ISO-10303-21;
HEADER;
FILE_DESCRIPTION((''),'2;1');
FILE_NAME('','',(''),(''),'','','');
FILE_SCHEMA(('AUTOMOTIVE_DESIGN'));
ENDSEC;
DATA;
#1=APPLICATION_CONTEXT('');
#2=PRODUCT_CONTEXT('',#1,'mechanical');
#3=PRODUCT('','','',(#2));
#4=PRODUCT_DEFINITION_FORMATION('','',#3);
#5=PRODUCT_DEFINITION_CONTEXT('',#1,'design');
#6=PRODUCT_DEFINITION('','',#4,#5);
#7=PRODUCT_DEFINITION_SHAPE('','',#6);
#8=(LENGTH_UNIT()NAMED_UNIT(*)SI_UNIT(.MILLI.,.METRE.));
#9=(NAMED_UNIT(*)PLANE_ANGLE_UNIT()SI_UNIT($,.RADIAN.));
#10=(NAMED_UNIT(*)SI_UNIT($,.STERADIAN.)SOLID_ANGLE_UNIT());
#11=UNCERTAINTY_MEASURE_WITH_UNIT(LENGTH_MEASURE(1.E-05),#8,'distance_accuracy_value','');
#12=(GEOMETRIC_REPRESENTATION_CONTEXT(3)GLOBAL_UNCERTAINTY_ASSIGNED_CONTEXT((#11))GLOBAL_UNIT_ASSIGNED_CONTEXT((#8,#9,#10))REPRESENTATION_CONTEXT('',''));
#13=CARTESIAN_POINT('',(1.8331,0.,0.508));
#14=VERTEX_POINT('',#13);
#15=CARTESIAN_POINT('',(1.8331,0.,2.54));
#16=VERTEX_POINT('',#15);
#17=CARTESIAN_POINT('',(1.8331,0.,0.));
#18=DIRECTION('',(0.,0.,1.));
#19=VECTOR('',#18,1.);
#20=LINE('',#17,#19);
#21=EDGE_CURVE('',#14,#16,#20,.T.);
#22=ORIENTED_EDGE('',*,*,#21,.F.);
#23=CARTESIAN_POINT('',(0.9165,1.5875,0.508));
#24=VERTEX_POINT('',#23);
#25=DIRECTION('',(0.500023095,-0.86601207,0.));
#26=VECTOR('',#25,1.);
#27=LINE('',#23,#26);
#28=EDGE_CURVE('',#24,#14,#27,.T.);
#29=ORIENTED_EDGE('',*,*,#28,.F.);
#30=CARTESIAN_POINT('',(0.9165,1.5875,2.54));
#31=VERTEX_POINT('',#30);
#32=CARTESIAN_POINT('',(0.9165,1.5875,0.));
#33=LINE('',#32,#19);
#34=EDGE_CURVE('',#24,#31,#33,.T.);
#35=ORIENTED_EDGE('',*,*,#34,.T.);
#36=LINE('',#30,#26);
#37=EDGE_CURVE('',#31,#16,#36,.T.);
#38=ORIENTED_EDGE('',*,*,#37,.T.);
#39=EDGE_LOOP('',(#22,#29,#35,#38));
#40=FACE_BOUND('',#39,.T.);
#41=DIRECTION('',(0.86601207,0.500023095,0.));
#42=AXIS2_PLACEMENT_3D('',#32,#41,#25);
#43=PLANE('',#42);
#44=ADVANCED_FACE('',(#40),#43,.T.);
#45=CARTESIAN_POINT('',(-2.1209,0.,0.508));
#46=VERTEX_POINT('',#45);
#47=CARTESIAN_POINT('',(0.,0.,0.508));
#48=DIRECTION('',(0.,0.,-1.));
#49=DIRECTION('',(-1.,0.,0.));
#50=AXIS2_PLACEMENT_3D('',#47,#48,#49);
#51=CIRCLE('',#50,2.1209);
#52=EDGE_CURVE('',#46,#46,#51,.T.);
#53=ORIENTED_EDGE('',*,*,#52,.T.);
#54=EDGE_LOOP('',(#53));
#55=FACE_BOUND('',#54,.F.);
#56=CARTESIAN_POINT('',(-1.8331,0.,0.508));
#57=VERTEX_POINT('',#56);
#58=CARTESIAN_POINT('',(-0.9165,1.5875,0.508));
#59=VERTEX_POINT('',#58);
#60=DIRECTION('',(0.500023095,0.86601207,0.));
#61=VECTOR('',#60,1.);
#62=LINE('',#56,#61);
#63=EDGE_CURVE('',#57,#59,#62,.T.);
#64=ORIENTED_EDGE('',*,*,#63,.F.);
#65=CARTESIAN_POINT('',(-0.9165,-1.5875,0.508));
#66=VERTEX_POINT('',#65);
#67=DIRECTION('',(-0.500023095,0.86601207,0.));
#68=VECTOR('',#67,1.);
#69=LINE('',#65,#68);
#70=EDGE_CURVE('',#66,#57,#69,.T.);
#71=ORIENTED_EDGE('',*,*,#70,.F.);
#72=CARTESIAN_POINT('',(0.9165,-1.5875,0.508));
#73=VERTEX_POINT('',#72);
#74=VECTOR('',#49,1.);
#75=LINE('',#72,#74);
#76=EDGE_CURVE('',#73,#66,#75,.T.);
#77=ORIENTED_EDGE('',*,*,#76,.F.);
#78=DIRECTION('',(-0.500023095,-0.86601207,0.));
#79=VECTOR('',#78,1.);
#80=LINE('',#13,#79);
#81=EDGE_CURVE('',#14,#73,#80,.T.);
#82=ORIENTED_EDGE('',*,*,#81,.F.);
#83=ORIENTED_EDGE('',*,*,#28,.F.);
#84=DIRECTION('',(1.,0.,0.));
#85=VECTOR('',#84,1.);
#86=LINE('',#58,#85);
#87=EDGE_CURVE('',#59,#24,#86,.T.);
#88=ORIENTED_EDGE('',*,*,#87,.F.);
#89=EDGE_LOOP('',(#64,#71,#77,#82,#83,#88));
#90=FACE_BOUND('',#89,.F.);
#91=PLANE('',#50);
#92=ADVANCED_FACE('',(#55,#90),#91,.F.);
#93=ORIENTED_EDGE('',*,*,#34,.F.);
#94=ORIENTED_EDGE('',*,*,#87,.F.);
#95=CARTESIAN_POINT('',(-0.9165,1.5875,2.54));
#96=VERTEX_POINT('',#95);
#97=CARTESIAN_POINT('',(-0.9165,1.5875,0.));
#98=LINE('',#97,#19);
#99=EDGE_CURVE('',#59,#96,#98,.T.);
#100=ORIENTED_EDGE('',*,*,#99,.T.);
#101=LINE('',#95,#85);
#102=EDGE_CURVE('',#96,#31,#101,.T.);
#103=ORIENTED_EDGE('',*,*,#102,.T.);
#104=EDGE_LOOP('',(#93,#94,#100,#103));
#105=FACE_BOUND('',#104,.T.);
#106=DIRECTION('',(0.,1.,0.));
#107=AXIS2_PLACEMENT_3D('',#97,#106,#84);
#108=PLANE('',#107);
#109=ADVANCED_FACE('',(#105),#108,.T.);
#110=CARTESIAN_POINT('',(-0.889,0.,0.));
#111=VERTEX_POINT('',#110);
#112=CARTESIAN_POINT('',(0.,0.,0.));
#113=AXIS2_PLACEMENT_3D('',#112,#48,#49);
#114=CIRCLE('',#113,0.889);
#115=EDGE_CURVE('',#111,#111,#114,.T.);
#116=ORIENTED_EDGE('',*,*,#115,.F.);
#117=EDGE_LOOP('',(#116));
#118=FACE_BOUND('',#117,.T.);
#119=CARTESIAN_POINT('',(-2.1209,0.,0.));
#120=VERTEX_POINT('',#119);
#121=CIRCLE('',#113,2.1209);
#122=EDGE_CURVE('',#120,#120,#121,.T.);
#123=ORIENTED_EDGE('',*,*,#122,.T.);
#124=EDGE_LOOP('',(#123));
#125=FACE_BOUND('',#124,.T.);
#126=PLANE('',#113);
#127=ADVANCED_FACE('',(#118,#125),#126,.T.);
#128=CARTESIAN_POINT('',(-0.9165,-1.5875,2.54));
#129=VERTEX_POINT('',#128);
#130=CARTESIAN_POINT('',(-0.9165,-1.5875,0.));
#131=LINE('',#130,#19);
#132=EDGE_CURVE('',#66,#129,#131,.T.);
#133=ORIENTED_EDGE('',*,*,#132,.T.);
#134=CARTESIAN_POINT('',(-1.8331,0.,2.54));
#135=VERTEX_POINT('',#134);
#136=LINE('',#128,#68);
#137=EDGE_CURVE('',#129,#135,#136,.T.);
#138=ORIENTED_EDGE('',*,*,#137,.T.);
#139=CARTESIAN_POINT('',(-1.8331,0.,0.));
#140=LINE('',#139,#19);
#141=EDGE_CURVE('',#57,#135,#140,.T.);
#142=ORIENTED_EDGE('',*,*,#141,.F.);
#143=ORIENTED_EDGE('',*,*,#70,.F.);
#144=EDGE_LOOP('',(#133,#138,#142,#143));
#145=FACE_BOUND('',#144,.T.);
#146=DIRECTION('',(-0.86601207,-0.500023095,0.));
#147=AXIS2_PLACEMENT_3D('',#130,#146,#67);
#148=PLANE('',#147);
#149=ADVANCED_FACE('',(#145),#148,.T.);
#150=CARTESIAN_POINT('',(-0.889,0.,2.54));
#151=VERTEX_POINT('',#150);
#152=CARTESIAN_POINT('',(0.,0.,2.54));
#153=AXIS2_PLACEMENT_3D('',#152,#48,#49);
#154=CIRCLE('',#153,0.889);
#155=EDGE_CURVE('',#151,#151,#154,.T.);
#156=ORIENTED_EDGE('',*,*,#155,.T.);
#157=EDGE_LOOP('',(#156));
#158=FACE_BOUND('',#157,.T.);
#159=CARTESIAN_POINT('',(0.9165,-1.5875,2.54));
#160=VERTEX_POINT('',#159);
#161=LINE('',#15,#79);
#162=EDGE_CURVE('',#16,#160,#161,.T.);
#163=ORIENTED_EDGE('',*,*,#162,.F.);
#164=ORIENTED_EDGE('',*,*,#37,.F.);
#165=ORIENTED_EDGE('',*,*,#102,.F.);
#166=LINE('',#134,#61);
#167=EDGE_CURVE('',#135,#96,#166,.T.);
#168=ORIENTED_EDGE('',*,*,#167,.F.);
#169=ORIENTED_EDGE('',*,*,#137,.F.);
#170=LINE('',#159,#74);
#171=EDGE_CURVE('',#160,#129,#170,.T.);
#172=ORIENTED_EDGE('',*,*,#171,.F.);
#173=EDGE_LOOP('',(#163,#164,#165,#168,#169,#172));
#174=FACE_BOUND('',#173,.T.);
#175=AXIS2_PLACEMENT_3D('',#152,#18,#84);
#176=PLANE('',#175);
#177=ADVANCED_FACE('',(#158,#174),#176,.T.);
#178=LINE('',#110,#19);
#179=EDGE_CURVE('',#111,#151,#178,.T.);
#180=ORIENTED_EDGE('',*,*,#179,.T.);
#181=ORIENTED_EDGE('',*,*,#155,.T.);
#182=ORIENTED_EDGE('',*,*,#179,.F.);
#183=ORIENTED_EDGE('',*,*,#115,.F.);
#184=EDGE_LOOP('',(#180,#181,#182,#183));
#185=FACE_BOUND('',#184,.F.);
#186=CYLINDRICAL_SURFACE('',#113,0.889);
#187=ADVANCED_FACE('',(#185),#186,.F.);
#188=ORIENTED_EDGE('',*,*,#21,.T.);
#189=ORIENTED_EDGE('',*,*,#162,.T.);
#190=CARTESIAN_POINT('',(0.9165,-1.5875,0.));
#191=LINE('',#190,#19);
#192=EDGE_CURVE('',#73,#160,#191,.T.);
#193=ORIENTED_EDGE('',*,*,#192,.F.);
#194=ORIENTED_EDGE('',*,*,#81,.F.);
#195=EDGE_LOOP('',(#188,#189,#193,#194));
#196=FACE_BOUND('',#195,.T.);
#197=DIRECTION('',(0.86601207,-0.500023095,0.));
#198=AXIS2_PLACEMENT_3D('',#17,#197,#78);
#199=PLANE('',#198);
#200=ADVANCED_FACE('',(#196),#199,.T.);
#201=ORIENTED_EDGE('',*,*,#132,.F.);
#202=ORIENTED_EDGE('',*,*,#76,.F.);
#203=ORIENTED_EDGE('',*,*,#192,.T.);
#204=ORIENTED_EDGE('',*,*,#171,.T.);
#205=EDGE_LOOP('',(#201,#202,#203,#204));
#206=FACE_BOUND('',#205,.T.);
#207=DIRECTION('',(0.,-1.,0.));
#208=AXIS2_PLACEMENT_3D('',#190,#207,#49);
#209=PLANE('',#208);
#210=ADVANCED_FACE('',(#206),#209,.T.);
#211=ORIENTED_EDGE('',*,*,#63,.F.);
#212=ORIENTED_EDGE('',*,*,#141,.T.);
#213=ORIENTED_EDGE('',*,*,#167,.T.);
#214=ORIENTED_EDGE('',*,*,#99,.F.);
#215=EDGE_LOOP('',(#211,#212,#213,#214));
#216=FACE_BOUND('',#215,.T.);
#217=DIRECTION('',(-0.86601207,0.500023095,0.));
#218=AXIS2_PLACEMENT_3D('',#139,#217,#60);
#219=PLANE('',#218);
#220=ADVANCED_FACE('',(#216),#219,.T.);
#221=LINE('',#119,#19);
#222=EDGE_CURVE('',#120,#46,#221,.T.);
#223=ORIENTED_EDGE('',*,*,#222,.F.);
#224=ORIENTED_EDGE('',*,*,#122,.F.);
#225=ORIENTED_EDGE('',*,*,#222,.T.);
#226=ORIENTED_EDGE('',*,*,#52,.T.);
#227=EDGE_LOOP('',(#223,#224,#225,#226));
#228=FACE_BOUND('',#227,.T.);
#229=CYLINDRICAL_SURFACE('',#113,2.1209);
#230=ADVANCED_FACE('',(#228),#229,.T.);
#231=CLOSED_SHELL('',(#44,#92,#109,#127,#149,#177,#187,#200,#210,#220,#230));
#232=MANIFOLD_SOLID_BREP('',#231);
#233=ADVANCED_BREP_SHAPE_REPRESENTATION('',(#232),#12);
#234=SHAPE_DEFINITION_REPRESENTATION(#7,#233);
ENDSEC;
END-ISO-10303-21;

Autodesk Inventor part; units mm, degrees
ref_plane "YZ Plane" through (0, 0, 0) normal (1, 0, 0) x (0, 1, 0)
ref_plane "XZ Plane" through (0, 0, 0) normal (0, 1, 0) x (-1, 0, 0)
ref_plane "XY Plane" through (0, 0, 0) normal (0, 0, 1) x (1, 0, 0)
sketch "Sketch1" plane through (0, 0, 0) normal (0, 0, 1) x (1, 0, 0)
  line L0 (0.9165, 1.5875) -> (1.8331, 0)
  line L1 (1.8331, 0) -> (0.9165, -1.5875)
  line L2 (0.9165, -1.5875) -> (-0.9165, -1.5875)
  line L3 (-0.9165, -1.5875) -> (-1.8331, 0)
  line L4 (-1.8331, 0) -> (-0.9165, 1.5875)
  line L5 (-0.9165, 1.5875) -> (0.9165, 1.5875)
  point P0 (0, 0)
  point P1 (0, 0)
  dimension "d0" = 3.175
extrude "Extrusion1" add sketch "Sketch1" along normal blind 2.54
sketch "Sketch2" plane through (0, 0, 0) normal (0, 0, -1) x (-1, 0, 0)
  line L0 (-0.9165, 1.5875) -> (-1.8331, 0) projected
  line L1 (-1.8331, 0) -> (-0.9165, -1.5875) projected
  line L2 (-0.9165, -1.5875) -> (0.9165, -1.5875) projected
  line L3 (0.9165, -1.5875) -> (1.8331, 0) projected
  line L4 (1.8331, 0) -> (0.9165, 1.5875) projected
  line L5 (0.9165, 1.5875) -> (-0.9165, 1.5875) projected
  circle A0 centre (0, 0) radius 2.1209
  dimension "d4" = 4.2418
extrude "Extrusion2" add sketch "Sketch2" against normal blind 0.508
sketch "Sketch3" plane through (0, 0, 0) normal (0, 0, -1) x (-1, 0, 0)
  circle A0 centre (0, 0) radius 0.889
  dimension "d7" = 1.778
extrude "Extrusion3" cut sketch "Sketch3" against normal through all
properties part number "MS21042-02"
